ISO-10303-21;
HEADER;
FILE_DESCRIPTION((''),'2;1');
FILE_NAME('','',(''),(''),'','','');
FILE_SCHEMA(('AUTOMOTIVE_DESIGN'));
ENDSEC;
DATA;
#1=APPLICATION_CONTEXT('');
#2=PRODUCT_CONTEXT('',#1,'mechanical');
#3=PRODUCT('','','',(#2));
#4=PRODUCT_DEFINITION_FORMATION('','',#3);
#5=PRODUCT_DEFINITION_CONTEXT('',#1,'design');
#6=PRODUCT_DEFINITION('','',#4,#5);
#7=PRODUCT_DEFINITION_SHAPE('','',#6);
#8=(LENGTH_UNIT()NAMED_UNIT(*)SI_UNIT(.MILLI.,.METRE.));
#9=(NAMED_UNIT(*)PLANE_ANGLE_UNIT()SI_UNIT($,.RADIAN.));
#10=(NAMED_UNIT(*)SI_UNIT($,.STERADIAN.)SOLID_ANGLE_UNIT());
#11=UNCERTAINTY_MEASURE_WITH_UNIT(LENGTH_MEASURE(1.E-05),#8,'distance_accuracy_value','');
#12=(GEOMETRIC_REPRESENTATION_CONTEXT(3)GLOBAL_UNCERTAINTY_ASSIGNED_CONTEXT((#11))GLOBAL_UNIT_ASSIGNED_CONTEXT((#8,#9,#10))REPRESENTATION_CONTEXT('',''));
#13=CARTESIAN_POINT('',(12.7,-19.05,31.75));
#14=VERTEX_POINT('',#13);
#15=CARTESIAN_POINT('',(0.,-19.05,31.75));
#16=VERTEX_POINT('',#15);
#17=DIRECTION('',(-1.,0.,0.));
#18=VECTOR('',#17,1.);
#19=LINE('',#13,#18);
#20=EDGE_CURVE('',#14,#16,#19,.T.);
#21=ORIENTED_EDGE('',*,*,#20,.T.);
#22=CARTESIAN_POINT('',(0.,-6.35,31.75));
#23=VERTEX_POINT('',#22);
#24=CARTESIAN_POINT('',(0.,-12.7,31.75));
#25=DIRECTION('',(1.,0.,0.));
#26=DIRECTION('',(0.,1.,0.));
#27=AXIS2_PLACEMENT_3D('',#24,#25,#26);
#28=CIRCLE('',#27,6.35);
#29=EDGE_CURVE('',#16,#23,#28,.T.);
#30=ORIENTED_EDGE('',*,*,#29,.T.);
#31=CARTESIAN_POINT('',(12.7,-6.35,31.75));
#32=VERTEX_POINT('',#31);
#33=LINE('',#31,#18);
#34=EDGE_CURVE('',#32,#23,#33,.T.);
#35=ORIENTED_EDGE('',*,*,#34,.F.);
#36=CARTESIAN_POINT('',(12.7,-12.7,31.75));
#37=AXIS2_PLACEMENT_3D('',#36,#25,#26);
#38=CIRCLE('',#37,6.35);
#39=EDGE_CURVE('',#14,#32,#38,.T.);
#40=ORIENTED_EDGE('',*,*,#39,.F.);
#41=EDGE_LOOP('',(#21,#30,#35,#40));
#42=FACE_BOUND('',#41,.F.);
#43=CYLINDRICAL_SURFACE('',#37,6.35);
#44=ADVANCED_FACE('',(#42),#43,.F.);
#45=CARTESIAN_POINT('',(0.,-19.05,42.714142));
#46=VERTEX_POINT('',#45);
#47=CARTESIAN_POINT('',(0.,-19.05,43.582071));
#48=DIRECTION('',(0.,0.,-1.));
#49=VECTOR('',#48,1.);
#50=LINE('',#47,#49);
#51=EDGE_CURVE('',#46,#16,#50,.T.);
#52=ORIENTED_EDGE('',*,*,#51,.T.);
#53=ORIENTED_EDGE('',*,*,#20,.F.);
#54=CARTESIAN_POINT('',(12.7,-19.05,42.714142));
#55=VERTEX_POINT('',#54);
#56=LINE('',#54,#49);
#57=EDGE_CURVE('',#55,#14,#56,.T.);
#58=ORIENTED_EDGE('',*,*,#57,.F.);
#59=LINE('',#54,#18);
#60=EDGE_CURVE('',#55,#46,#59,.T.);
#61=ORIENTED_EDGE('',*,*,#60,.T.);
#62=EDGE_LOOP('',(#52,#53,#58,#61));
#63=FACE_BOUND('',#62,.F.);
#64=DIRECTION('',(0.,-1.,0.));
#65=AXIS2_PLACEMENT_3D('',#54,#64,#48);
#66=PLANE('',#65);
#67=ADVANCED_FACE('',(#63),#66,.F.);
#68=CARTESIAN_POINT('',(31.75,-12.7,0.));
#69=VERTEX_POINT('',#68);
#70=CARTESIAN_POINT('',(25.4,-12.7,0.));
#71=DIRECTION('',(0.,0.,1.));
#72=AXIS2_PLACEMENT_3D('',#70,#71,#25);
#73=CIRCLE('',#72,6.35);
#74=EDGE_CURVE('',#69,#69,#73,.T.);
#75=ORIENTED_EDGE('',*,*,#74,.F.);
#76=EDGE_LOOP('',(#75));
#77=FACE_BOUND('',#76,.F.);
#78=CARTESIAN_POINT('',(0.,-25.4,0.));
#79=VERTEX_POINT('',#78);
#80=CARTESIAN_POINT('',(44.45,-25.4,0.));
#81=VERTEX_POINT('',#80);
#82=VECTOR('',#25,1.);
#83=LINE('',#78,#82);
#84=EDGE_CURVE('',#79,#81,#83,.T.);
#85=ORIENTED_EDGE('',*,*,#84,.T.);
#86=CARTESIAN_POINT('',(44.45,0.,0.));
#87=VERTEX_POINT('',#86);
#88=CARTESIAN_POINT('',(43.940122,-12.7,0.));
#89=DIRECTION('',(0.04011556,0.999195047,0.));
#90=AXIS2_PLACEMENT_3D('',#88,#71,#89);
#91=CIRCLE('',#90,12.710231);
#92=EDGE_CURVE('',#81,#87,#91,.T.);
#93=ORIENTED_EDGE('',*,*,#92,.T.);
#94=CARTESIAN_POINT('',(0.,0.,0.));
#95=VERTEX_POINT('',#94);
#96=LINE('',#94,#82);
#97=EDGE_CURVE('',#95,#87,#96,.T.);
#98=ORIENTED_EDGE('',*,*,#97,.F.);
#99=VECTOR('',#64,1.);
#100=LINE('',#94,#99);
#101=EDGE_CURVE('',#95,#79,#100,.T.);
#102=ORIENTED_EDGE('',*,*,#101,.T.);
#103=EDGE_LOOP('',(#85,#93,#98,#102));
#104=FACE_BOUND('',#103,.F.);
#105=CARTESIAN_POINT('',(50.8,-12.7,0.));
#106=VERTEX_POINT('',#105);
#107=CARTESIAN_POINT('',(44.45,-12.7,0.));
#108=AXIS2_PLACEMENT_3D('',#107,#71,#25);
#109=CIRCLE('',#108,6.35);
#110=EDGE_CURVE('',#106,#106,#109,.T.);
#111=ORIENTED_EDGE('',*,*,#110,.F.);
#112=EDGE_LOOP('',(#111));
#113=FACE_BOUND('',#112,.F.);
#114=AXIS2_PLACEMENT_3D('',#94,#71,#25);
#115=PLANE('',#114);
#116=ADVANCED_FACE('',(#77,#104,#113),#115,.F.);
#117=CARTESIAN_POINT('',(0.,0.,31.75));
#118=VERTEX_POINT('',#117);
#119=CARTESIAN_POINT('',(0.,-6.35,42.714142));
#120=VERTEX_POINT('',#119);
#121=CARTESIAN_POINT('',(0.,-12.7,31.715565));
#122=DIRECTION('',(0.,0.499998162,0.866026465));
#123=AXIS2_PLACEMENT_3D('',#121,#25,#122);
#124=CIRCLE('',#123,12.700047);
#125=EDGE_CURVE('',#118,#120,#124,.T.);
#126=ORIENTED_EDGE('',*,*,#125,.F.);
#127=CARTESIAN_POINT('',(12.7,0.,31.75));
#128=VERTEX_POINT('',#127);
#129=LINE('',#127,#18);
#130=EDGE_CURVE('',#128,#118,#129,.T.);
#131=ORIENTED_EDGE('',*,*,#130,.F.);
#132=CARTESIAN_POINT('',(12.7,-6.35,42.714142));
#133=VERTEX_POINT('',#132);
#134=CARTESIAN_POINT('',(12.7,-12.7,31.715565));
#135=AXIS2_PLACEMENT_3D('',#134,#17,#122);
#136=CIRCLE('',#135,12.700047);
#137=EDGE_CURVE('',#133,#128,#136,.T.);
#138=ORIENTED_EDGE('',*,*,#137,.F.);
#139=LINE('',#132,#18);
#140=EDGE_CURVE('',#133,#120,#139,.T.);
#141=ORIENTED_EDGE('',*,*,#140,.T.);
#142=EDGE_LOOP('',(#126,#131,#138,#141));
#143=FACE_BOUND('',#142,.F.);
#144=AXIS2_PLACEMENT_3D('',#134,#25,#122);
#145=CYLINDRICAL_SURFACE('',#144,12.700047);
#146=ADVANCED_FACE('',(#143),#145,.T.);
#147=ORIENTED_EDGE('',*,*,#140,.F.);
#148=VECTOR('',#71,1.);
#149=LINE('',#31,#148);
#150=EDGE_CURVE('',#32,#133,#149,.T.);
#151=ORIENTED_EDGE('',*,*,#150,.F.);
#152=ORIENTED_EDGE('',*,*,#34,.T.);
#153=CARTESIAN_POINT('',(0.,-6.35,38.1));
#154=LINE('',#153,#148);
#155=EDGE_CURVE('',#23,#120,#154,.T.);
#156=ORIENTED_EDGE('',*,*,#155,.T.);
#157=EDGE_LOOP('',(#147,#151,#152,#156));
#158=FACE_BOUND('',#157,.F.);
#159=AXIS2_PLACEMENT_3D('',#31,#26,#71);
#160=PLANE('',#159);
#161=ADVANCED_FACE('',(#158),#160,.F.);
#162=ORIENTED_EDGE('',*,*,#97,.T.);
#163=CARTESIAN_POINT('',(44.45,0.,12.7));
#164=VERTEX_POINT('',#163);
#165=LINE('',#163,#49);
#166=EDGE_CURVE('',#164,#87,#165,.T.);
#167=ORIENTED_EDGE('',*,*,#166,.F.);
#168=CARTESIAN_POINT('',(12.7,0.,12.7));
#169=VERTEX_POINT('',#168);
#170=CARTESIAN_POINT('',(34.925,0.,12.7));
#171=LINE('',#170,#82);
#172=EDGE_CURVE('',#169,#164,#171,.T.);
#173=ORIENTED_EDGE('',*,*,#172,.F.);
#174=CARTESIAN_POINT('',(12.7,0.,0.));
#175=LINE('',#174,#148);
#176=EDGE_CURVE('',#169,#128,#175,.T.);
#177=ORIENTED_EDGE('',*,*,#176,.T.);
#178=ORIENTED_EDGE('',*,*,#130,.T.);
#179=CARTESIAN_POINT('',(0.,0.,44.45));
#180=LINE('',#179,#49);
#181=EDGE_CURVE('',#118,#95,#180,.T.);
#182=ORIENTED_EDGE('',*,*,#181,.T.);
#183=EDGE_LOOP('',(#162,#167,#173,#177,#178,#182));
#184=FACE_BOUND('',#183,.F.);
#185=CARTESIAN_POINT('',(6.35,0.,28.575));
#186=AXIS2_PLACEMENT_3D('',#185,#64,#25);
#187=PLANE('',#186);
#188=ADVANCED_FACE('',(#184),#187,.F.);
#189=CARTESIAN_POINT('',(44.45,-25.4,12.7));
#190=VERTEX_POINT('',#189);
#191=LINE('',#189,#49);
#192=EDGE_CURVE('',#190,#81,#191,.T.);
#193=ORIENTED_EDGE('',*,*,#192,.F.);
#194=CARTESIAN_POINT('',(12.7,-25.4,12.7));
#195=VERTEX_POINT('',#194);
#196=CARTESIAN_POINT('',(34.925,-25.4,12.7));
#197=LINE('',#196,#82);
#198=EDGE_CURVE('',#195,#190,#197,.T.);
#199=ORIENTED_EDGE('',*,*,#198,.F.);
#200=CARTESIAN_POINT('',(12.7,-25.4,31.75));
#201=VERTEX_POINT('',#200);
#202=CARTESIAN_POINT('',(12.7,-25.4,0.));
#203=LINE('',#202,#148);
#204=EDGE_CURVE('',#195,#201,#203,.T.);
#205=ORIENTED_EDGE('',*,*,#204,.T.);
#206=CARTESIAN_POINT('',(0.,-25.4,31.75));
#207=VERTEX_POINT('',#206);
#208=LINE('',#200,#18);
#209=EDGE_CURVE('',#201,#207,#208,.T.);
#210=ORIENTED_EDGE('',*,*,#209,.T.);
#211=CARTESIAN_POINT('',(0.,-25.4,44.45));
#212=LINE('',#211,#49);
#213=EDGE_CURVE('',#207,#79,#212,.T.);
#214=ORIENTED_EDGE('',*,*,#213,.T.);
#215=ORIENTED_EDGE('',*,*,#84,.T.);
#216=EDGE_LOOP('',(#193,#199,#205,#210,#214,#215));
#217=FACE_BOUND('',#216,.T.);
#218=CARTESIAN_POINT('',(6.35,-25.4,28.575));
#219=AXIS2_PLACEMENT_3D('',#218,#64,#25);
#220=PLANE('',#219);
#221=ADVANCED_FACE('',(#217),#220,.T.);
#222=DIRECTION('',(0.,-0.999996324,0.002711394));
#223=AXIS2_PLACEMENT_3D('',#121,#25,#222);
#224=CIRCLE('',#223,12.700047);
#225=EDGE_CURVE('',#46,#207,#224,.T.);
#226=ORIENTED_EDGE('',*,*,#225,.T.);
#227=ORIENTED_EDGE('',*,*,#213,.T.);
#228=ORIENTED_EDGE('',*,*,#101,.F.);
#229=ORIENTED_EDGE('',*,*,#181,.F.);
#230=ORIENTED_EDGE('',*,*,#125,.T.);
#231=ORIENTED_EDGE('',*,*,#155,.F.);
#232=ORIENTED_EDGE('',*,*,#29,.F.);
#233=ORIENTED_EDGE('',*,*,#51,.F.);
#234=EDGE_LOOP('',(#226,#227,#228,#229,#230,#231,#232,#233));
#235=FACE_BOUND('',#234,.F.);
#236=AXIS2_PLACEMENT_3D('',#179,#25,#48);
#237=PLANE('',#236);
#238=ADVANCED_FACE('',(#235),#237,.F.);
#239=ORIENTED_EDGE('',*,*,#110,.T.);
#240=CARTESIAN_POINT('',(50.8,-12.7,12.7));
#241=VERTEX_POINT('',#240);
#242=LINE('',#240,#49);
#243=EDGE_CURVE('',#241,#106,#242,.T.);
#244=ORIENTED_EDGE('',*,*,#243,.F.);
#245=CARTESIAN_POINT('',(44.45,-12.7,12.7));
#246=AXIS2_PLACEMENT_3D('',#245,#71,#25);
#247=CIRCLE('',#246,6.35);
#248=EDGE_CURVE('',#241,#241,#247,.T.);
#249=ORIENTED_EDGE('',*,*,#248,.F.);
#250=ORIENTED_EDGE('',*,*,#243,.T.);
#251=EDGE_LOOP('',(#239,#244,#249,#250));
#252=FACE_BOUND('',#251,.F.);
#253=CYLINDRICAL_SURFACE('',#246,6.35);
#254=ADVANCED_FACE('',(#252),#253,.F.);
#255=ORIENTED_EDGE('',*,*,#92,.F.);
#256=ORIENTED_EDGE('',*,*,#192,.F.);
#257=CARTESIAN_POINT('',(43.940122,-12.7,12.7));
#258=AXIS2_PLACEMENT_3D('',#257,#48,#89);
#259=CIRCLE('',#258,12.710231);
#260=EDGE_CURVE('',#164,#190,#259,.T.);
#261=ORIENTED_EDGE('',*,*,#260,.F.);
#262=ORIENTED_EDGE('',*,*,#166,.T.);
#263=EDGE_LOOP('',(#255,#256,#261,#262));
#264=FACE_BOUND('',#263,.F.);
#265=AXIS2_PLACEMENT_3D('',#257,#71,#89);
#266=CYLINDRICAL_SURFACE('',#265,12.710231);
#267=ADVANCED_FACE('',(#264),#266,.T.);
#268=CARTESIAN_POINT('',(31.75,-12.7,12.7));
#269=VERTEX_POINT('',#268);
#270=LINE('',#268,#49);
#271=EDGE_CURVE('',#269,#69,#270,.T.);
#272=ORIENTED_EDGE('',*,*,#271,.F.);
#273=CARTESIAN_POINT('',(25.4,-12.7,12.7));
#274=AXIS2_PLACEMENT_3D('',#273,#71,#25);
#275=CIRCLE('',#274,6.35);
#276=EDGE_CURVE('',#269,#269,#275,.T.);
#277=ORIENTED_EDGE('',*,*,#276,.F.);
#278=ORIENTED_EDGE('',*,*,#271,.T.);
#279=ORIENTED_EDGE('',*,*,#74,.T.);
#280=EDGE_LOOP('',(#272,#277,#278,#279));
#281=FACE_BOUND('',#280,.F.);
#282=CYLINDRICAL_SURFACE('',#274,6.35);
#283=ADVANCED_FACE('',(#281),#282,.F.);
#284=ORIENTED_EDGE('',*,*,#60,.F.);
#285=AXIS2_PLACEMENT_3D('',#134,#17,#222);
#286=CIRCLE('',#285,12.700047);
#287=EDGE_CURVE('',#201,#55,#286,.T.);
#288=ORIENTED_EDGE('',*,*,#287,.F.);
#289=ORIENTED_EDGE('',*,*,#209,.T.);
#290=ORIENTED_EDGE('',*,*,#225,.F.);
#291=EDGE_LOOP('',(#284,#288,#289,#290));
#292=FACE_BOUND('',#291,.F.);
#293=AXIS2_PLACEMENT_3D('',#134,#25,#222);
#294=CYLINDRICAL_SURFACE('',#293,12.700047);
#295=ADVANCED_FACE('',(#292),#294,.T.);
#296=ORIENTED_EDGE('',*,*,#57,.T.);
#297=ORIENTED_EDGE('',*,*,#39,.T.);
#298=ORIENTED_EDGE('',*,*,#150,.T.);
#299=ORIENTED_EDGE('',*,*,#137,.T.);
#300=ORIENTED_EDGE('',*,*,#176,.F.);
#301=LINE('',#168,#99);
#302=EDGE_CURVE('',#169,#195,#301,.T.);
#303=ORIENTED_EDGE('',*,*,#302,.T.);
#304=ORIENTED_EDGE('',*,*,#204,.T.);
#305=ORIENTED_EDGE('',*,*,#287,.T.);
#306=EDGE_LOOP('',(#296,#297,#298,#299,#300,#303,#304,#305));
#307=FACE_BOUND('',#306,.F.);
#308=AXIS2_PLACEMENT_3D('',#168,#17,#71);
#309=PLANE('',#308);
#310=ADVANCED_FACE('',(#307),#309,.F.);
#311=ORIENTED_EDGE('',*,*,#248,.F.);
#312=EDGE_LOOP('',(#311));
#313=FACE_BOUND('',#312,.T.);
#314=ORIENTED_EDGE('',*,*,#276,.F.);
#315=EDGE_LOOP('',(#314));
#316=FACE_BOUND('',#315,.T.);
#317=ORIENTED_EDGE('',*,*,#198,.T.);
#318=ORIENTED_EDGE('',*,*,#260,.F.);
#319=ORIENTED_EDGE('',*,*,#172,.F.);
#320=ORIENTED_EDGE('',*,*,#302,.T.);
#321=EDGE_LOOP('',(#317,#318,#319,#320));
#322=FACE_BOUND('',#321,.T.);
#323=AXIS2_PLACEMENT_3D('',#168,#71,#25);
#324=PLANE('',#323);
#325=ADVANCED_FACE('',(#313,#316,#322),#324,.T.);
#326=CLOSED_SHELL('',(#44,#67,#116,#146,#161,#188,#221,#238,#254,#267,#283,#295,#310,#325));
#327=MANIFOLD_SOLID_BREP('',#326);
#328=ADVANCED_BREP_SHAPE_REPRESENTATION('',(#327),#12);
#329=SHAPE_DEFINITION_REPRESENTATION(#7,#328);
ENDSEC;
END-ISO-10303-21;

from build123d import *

# Parameters (mm, degrees)
F0_W     = 12.7
F0_H     = 31.75
F0_H_2   = 12.7
F0_W_2   = 44.45
F1_DEPTH = 25.4
F2_R     = 6.35
F3_DEPTH = 25.4
F5_DEPTH = 25.4


with BuildPart() as f1:
    # F0 (on Front) → F1 (new body)
    with BuildSketch(Plane.XZ):
        with Locations((6.35, 28.575)):
            Rectangle(F0_W, F0_H)
        with Locations((6.35, 6.35)):
            Rectangle(F0_W, F0_H_2)
        with Locations((34.925, 6.35)):
            Rectangle(F0_W_2, F0_H_2)
    extrude(amount=F1_DEPTH)

    # F2 (on face) → F3 (cut)
    with BuildSketch(Plane.XY.offset(12.7)):
        with Locations((25.4, -12.7)):
            Circle(F2_R)
        with Locations((44.45, -12.7)):
            Circle(F2_R)
        with BuildLine():
            ThreePointArc((44.45, 0), (56.6503530986, -12.7), (44.45, -25.4))
            Line((44.45, -25.4), (57.15, -25.4))
            Line((57.15, -25.4), (57.15, 0))
            Line((57.15, 0), (44.45, 0))
        make_face()
    extrude(amount=-F3_DEPTH, mode=Mode.SUBTRACT)

    # F4 (on face) → F5 (cut)
    with BuildSketch(Plane.YZ.offset(12.7)):
        with BuildLine():
            ThreePointArc((-19.05, 31.75), (-12.7, 25.4), (-6.35, 31.75))
            ThreePointArc((-6.35, 31.75), (-12.7, 38.1), (-19.05, 31.75))
        make_face()
        with BuildLine():
            ThreePointArc((-19.05, 31.75), (-12.7, 38.1), (-6.35, 31.75))
            Line((-6.35, 31.75), (-6.35, 42.7141417))
            ThreePointArc((-6.35, 42.7141417), (-12.7, 44.41561185), (-19.05, 42.7141417))
            Line((-19.05, 42.7141417), (-19.05, 31.75))
        make_face()
        with BuildLine():
            ThreePointArc((-25.4, 31.75), (-23.6899374795, 38.0805050685), (-19.05, 42.7141417))
            Line((-19.05, 42.7141417), (-19.05, 44.45))
            Line((-19.05, 44.45), (-25.4, 44.45))
            Line((-25.4, 44.45), (-25.4, 31.75))
        make_face()
        with BuildLine():
            ThreePointArc((-19.05, 42.7141417), (-12.7, 44.41561185), (-6.35, 42.7141417))
            Line((-6.35, 42.7141417), (-6.35, 44.45))
            Line((-6.35, 44.45), (-19.05, 44.45))
            Line((-19.05, 44.45), (-19.05, 42.7141417))
        make_face()
        with BuildLine():
            Line((-6.35, 44.45), (-6.35, 42.7141417))
            ThreePointArc((-6.35, 42.7141417), (-1.7100625205, 38.0805050685), (0, 31.75))
            Line((0, 31.75), (0, 44.45))
            Line((0, 44.45), (-6.35, 44.45))
        make_face()
    extrude(amount=-F5_DEPTH, mode=Mode.SUBTRACT)


solid = f1.part
